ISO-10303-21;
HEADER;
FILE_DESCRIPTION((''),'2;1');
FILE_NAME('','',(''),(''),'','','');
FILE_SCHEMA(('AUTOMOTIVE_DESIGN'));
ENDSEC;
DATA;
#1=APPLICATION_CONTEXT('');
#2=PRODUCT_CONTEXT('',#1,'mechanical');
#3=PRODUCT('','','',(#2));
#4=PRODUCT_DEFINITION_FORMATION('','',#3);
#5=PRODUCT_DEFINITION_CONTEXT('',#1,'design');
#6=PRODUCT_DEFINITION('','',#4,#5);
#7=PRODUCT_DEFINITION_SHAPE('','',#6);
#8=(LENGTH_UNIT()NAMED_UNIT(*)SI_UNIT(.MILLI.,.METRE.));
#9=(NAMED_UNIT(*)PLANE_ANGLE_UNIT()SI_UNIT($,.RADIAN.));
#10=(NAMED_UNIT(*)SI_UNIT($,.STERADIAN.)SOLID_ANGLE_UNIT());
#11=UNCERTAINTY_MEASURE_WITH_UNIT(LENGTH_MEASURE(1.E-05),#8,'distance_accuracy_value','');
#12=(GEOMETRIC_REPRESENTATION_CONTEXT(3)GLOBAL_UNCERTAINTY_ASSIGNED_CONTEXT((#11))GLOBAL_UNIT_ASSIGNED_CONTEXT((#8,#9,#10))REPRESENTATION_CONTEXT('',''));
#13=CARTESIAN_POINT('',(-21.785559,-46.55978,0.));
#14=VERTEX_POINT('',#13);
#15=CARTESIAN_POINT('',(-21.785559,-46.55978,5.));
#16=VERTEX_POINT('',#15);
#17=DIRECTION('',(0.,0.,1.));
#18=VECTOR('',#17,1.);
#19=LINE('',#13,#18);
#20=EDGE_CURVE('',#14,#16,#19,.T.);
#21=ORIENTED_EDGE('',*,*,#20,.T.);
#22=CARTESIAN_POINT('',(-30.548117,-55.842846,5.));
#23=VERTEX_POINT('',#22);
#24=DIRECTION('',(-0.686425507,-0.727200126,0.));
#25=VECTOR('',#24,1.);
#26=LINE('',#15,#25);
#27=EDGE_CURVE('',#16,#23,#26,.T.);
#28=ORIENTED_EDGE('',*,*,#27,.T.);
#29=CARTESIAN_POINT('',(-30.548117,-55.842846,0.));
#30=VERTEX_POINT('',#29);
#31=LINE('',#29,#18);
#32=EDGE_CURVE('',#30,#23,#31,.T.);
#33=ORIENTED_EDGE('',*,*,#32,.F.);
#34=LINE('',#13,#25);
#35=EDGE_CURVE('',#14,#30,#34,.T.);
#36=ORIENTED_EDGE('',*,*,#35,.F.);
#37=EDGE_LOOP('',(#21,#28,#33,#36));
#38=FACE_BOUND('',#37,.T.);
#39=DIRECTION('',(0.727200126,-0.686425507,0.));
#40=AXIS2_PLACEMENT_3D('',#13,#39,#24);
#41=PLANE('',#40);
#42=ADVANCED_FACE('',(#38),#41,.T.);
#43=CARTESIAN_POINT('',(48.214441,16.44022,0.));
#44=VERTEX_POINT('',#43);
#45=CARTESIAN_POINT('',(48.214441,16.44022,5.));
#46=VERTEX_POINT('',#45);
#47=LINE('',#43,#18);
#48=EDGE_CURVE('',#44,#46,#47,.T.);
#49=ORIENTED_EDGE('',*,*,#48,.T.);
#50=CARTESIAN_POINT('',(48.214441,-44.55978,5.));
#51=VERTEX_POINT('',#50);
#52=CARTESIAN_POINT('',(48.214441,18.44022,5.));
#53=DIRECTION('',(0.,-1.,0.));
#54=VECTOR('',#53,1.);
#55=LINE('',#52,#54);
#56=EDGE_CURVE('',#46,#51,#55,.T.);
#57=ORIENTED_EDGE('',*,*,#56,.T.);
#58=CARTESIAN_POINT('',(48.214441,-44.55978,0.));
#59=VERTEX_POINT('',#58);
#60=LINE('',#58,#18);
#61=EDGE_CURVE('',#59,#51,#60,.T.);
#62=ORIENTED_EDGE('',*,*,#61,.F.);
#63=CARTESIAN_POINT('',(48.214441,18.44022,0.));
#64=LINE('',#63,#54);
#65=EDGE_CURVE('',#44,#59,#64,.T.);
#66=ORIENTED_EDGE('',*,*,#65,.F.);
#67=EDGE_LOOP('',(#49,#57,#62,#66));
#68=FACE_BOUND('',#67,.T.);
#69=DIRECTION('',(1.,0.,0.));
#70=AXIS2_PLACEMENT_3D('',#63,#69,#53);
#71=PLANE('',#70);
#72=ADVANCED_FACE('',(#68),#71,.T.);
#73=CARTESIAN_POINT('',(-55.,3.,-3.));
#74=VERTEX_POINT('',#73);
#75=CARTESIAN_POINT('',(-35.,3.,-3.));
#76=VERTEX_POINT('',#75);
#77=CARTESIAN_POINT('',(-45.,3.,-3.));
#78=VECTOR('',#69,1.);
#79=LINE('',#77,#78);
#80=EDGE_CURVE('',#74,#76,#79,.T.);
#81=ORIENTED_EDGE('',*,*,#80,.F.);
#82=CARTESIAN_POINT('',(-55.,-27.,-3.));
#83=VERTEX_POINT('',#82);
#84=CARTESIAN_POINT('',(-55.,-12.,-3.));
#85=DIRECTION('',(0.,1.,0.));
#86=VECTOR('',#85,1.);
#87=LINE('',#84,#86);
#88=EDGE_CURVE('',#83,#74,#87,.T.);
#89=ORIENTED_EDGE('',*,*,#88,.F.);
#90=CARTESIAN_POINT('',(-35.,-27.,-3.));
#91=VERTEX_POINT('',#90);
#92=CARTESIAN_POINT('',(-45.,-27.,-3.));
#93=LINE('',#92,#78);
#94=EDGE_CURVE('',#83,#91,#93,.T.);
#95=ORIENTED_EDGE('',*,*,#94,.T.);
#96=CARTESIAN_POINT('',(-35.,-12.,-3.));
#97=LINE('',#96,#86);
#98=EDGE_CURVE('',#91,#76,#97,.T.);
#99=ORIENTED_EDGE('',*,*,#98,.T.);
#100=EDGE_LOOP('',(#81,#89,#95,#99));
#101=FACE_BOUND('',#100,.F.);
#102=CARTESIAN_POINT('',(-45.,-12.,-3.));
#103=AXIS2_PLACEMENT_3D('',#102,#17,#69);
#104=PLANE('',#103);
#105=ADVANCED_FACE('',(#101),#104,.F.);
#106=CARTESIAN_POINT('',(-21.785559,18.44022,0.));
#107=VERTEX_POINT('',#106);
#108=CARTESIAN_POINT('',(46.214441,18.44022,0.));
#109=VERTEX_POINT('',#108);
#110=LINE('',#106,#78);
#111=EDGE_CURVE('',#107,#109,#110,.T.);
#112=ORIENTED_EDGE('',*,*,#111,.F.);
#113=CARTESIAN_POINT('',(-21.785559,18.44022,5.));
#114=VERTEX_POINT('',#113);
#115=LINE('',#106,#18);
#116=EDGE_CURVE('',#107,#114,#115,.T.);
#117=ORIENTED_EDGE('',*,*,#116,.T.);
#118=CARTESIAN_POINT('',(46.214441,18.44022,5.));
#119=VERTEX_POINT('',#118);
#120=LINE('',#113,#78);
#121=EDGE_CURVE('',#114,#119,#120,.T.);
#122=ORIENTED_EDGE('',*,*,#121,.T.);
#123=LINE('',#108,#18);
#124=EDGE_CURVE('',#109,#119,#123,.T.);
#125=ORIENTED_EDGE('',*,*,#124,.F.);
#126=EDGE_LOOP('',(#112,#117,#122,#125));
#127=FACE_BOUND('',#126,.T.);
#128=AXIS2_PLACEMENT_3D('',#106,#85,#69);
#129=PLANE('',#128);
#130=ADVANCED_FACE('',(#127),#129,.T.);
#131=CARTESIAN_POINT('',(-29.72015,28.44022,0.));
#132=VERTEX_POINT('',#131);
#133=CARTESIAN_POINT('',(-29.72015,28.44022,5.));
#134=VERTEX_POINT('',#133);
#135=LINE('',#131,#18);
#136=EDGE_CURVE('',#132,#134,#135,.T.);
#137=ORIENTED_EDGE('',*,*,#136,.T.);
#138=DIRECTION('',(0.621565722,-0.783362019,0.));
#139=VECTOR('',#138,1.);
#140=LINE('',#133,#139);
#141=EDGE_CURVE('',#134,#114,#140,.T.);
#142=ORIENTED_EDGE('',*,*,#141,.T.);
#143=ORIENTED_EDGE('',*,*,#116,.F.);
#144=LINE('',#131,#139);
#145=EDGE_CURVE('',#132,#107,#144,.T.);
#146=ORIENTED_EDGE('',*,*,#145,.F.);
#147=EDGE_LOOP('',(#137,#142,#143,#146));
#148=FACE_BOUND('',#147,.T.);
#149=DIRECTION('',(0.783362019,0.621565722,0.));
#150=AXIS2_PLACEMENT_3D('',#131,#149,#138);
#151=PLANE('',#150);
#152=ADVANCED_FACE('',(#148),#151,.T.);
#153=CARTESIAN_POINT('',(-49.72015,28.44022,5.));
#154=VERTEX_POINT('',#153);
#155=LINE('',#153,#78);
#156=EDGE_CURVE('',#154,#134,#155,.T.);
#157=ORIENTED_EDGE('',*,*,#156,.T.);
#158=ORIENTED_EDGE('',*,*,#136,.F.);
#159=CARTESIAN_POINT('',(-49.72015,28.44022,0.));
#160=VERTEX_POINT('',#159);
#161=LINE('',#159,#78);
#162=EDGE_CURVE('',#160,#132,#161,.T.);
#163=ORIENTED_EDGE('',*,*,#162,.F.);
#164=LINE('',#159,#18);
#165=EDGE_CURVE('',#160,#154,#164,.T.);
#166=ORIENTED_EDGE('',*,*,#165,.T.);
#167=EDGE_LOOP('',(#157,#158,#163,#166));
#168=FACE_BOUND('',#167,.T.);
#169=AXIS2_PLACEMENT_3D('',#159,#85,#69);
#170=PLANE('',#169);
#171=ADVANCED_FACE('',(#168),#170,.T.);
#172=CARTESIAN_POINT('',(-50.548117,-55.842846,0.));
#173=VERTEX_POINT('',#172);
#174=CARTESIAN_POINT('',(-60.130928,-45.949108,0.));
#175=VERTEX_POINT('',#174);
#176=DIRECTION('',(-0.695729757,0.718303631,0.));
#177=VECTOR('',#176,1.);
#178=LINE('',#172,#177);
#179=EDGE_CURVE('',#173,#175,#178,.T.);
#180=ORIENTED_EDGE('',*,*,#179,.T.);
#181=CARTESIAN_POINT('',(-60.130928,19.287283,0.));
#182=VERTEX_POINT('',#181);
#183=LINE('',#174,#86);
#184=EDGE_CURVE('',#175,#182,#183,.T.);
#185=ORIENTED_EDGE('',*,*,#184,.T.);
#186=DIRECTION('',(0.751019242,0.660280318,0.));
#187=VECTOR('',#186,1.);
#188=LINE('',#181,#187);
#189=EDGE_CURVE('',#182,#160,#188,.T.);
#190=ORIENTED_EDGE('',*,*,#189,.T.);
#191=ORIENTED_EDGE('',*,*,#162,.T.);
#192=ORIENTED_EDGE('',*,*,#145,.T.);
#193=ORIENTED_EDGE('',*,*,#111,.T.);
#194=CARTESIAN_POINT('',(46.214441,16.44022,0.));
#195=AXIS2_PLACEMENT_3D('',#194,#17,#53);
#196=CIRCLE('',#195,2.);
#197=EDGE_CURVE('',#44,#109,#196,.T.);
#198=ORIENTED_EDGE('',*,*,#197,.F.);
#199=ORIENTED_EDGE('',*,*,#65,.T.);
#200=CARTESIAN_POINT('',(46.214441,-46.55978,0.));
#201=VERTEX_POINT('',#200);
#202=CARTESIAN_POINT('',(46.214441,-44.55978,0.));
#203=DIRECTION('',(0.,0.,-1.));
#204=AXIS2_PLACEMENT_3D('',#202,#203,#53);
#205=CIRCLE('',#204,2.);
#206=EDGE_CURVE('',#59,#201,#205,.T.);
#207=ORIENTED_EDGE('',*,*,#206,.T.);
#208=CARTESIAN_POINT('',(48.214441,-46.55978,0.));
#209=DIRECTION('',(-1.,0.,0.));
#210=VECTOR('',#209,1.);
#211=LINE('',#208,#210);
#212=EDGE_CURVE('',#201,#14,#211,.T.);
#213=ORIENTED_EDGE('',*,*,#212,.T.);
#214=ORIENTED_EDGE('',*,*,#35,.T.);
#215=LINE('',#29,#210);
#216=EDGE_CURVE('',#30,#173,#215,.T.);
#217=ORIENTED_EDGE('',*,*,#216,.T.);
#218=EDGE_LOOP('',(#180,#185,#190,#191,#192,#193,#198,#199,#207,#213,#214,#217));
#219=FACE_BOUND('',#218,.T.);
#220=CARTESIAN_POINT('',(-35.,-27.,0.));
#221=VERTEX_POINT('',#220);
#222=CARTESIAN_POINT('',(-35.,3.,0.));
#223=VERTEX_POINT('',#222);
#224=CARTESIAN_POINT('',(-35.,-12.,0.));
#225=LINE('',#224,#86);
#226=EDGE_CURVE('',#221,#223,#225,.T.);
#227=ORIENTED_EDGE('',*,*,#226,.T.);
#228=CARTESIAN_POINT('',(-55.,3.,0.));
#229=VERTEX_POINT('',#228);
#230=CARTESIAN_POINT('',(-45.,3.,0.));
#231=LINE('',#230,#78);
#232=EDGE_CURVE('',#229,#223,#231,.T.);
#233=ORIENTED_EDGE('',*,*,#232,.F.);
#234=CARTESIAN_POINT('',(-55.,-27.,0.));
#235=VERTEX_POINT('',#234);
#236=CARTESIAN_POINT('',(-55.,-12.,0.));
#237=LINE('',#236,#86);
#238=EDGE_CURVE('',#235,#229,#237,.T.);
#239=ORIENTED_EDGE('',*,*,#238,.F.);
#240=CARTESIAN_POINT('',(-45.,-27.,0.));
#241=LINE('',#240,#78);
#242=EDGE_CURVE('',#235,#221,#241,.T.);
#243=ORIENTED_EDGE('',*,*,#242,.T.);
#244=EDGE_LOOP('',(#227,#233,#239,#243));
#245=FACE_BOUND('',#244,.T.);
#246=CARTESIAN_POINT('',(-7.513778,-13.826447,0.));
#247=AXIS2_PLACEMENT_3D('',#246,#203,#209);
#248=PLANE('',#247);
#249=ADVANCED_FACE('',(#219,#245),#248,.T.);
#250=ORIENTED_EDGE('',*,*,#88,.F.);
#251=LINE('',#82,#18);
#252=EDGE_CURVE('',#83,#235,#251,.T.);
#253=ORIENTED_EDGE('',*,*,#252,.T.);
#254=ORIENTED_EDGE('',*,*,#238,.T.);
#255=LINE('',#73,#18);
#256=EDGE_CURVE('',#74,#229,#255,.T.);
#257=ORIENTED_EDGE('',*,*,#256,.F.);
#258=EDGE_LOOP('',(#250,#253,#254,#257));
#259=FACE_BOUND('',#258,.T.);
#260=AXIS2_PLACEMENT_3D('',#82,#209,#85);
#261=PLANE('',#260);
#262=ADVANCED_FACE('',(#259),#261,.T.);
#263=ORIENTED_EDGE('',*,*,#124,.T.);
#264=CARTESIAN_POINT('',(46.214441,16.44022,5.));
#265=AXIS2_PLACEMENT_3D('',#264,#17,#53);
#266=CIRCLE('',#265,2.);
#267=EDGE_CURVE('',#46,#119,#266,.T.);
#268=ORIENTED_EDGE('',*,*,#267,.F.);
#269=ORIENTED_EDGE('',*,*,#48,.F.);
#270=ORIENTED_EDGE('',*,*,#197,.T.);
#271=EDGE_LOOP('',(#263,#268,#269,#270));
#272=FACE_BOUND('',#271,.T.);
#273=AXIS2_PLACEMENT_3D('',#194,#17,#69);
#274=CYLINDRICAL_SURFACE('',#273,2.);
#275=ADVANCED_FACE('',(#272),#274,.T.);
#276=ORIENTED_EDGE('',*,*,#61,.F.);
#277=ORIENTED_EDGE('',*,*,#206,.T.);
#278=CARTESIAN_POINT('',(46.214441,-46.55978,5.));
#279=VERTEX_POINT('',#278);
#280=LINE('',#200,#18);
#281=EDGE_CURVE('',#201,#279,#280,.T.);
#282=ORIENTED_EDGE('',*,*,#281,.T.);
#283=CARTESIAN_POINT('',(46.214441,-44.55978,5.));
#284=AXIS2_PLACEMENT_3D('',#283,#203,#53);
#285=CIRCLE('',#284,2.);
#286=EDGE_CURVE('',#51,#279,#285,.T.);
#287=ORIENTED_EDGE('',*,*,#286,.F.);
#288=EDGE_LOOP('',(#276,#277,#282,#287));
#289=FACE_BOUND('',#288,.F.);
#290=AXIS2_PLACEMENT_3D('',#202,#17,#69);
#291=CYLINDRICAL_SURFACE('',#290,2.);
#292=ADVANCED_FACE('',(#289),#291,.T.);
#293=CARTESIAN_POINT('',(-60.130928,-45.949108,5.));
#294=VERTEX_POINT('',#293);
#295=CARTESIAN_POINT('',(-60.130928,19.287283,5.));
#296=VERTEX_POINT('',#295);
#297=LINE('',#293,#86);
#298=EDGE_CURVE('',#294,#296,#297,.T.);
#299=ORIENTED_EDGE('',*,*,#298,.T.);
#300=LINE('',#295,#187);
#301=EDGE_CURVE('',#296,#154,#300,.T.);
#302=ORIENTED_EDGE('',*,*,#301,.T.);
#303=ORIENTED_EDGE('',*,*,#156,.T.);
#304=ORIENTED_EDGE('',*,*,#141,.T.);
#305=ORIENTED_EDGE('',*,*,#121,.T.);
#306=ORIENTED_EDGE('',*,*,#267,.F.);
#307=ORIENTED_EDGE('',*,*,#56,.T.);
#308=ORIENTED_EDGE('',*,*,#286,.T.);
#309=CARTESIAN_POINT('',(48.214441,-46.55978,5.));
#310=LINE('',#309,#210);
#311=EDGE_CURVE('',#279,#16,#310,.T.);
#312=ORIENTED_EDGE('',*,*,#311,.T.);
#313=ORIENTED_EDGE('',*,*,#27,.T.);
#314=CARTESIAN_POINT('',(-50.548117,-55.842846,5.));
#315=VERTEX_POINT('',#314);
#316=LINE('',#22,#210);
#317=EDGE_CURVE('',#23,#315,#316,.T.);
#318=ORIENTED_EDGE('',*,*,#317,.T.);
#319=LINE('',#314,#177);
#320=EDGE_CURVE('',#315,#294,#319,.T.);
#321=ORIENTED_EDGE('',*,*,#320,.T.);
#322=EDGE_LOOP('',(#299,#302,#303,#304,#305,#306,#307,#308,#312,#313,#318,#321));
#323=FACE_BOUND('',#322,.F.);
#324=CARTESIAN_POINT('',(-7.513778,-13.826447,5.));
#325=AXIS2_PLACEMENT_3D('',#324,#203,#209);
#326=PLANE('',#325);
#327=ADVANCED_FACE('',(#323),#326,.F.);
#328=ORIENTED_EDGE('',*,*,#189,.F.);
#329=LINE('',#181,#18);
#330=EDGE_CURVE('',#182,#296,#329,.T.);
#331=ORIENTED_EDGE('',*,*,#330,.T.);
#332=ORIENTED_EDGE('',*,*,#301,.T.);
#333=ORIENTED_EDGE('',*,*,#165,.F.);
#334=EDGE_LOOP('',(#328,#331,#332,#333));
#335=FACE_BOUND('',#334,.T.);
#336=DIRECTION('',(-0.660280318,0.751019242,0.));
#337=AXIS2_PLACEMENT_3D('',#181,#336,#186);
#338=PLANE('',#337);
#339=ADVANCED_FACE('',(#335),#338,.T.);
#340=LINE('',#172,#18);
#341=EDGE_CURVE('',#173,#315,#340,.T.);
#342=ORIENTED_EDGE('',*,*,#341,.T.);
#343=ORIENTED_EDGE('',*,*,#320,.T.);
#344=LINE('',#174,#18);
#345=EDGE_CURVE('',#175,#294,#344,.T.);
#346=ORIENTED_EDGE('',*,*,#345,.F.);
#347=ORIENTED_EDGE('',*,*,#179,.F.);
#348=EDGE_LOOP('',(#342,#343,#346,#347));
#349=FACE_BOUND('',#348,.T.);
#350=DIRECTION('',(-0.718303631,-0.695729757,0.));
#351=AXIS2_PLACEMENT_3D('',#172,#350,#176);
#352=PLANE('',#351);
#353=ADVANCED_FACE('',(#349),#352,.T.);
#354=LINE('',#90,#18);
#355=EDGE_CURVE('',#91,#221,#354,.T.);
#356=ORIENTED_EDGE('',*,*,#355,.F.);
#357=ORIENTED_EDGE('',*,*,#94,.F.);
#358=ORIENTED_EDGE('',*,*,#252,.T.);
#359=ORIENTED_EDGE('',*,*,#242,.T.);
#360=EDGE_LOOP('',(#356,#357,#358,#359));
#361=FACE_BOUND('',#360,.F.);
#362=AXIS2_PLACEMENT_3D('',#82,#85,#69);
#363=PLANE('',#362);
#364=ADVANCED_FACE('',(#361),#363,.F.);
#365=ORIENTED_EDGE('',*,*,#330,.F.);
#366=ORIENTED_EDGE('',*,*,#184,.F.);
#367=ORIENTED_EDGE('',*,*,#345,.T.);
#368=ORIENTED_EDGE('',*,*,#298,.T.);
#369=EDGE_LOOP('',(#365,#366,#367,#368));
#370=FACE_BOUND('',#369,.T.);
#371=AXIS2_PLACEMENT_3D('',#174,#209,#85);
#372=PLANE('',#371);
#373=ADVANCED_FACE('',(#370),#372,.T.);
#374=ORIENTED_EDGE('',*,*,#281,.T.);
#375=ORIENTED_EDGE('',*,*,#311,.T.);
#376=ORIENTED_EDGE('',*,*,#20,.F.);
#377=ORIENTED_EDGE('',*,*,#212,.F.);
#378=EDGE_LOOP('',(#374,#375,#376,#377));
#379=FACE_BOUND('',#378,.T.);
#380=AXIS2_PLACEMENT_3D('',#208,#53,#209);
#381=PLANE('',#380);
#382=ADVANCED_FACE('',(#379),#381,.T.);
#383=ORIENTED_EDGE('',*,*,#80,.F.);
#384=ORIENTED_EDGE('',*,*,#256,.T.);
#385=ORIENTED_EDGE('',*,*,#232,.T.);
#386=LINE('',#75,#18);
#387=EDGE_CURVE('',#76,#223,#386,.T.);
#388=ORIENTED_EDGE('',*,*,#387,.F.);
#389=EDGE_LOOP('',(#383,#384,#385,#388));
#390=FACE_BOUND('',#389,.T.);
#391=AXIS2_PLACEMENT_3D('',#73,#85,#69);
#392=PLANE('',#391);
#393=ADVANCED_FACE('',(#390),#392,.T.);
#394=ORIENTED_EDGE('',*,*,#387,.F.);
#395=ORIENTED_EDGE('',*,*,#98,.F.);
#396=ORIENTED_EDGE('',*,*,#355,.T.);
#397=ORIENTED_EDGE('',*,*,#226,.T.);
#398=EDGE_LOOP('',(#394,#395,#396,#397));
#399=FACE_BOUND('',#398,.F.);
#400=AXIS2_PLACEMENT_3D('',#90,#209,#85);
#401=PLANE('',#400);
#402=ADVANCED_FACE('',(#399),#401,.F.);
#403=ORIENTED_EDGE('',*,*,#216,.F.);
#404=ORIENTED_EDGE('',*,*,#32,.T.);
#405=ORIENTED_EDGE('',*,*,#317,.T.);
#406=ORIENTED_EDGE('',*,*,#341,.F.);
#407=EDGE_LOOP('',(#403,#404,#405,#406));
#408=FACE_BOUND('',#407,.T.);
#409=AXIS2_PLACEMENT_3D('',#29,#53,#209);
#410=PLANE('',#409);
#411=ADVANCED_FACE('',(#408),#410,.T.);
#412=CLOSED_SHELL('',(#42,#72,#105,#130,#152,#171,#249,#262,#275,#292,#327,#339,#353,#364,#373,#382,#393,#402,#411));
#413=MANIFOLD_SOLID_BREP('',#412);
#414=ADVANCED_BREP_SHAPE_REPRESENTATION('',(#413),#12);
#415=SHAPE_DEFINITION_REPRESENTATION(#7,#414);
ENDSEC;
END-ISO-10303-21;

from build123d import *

# Parameters (mm, degrees)
BOX_W     = 20
BOX_H     = 30
BOX_DEPTH = 3
PAD_DEPTH = 5
FILLET_R  = 2


with BuildPart() as cubo:
    # Box → Box (new body)
    with BuildSketch(Plane(origin=(-55, -27, -3), x_dir=(1, 0, 0), z_dir=(0, 0, 1))):
        with Locations((10, 15)):
            Rectangle(BOX_W, BOX_H)
    extrude(amount=BOX_DEPTH)


with BuildPart() as fillet_body:
    # Sketch → Pad (new body)
    with BuildSketch(Plane.XY):
        Polygon((48.214441, 18.44022), (48.214441, -46.55978), (-21.785559, -46.55978), (-30.548117, -55.842846), (-50.548117, -55.842846), (-60.130928, -45.949108), (-60.130928, 19.287283), (-49.72015, 28.44022), (-29.72015, 28.44022), (-21.785559, 18.44022), align=None)
    extrude(amount=PAD_DEPTH)

    # Fusion: union Cubo
    add(cubo.part)

    # Fillet
    fillet_edges = [fillet_body.edges().sort_by_distance(p)[0] for p in [
        (48.214441, 18.44022, 2.5),
        (48.214441, -46.55978, 2.5),
    ]]
    fillet(fillet_edges, radius=FILLET_R)


solid = fillet_body.part
